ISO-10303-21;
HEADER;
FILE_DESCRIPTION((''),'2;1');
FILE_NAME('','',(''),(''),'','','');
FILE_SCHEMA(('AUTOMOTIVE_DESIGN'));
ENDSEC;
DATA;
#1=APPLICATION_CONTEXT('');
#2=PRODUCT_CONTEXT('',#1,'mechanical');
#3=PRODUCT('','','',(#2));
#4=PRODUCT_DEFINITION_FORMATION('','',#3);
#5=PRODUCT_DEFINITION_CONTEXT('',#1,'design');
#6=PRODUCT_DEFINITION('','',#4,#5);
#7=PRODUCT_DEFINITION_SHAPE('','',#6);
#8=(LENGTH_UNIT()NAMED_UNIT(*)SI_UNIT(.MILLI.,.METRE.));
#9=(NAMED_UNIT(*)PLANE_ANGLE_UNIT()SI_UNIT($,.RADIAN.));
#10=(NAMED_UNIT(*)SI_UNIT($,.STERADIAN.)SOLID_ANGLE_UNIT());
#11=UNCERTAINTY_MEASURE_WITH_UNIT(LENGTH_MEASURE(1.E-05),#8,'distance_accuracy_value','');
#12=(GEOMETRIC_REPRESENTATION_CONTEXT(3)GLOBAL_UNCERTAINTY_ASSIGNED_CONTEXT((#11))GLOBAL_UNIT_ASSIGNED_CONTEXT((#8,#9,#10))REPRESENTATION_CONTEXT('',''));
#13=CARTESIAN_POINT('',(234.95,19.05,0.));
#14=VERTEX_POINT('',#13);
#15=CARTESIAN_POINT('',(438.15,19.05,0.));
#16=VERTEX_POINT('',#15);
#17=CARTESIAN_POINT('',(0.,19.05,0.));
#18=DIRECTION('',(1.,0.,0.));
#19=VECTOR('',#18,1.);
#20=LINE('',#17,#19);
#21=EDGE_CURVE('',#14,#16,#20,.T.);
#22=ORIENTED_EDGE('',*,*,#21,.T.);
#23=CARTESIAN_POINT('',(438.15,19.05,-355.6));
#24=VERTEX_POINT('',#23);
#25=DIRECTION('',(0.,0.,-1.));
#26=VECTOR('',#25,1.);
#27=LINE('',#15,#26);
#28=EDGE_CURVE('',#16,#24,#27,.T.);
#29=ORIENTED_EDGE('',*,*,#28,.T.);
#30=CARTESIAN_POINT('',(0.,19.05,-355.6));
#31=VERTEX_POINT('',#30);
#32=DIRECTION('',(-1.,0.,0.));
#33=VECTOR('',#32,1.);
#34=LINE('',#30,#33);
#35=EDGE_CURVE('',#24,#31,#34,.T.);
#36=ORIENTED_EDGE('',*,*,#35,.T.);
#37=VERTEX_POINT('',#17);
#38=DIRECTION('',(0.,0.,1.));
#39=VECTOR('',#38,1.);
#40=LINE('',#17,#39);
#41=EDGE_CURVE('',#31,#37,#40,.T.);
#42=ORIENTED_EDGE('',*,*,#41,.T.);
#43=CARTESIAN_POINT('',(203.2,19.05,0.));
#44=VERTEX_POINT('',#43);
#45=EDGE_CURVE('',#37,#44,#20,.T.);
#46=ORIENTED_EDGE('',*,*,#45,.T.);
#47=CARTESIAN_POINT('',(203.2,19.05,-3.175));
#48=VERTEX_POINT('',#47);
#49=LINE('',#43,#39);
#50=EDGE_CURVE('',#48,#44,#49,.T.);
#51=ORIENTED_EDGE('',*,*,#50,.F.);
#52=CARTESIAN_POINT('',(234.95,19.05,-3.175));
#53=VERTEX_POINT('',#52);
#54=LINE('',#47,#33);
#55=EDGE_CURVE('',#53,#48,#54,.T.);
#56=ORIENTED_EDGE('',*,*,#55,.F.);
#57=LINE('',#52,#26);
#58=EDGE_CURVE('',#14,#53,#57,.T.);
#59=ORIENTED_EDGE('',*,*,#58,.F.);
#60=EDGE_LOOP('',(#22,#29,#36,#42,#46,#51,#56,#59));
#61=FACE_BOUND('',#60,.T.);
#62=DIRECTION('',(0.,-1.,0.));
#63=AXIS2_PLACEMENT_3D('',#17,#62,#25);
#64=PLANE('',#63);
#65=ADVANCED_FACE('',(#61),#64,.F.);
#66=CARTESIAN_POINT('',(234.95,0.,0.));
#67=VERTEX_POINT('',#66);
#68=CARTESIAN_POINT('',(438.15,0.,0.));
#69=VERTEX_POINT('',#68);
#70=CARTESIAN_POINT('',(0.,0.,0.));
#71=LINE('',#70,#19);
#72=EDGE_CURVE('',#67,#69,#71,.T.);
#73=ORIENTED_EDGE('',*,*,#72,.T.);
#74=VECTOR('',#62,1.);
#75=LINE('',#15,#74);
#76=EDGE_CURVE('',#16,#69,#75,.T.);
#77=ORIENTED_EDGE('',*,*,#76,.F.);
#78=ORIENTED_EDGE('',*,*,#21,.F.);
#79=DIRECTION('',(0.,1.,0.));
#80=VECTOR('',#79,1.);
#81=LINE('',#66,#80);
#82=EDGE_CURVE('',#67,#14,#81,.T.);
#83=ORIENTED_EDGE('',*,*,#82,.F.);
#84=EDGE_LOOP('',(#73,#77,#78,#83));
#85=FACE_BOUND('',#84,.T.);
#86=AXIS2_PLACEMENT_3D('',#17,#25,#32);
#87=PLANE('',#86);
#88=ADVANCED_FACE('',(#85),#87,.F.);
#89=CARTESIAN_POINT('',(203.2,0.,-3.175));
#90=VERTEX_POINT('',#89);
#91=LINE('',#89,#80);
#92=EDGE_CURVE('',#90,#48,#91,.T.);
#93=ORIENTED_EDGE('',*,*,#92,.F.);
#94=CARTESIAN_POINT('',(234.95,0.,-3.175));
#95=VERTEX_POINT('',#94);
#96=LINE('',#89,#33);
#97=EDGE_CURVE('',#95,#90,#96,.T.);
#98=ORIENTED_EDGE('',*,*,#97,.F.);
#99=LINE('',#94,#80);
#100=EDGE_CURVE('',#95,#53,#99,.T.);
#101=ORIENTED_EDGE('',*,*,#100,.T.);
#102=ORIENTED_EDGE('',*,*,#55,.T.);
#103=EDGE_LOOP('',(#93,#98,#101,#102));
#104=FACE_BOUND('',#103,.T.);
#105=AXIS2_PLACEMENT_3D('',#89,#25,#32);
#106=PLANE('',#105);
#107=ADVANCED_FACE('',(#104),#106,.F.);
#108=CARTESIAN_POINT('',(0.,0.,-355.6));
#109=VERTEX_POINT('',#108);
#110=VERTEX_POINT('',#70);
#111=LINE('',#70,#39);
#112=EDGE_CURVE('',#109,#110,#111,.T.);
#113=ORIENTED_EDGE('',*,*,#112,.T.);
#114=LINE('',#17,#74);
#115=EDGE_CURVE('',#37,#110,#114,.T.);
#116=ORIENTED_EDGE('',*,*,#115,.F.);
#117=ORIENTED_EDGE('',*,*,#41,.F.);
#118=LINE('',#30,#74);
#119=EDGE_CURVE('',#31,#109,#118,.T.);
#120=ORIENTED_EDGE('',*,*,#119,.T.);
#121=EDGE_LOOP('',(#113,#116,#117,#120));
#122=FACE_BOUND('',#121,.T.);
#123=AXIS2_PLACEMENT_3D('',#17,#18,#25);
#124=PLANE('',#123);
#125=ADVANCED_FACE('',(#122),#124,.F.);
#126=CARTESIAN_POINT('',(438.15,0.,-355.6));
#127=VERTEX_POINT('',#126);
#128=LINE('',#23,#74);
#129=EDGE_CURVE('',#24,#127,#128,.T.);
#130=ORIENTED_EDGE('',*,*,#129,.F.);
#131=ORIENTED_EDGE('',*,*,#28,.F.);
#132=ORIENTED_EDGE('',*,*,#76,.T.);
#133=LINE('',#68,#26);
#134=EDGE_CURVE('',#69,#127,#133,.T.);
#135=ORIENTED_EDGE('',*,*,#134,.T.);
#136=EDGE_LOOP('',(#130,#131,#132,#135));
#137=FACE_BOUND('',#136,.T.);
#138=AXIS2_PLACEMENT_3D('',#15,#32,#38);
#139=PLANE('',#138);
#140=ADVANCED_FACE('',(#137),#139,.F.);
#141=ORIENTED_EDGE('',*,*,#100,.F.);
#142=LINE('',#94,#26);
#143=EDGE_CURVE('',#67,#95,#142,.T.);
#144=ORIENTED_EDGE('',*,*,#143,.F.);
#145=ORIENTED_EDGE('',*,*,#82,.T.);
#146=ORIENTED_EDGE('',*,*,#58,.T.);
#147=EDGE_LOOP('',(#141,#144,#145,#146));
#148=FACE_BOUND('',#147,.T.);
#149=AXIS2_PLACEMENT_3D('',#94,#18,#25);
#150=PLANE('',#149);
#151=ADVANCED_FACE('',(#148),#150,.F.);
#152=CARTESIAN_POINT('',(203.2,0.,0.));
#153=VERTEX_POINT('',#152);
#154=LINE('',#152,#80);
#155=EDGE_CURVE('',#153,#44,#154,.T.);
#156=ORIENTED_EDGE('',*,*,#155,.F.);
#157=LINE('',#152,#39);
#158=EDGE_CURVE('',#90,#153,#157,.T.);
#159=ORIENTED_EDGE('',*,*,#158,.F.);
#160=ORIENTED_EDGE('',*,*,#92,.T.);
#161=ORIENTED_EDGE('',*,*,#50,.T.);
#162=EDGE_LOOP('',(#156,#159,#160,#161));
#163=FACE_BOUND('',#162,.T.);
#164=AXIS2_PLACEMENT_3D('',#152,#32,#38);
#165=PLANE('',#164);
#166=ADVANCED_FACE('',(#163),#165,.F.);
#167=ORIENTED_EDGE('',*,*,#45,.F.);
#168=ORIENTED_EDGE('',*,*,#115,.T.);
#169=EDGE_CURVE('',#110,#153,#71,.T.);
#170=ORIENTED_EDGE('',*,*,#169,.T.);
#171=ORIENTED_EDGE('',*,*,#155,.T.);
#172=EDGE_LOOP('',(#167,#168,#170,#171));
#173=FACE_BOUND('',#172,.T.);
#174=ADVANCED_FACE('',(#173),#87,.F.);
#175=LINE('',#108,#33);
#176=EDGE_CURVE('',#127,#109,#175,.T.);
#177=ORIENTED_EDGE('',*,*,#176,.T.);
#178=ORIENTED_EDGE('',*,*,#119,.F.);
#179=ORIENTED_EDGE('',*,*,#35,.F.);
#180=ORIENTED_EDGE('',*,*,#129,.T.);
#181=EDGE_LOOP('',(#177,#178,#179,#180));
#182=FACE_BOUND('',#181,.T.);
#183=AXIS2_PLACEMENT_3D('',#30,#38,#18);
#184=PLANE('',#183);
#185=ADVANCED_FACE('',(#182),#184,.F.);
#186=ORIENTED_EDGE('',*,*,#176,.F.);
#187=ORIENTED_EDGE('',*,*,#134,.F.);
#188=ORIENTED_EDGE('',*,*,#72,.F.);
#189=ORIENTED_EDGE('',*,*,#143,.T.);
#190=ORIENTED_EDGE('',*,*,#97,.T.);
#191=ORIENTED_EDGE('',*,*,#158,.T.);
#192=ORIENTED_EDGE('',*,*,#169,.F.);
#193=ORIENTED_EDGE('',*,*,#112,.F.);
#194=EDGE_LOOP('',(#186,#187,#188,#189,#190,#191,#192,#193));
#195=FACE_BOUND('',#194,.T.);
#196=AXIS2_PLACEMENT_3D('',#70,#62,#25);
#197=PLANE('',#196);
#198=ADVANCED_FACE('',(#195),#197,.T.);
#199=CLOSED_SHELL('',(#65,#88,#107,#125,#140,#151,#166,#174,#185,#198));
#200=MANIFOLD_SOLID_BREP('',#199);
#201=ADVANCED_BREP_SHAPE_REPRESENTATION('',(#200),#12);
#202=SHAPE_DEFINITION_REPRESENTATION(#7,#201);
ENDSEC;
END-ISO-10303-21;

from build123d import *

# Parameters (mm, degrees)
SKETCH1_W           = 438.15
SKETCH1_H           = 355.6
BOSS_EXTRUDE1_DEPTH = 19.05
SKETCH2_W           = 31.75
SKETCH2_H           = 3.175
CUT_EXTRUDE1_DEPTH  = 565.614634065


with BuildPart() as part:
    # Sketch1 → Boss-Extrude1 (new body)
    with BuildSketch(Plane(origin=(0, 0, 0), x_dir=(1, 0, 0), z_dir=(0, 1, 0))):
        with Locations((219.075, 177.8)):
            Rectangle(SKETCH1_W, SKETCH1_H)
    extrude(amount=BOSS_EXTRUDE1_DEPTH)

    # Sketch2 → Cut-Extrude1 (cut, through all)
    with BuildSketch(Plane(origin=(0, 19.05, 0), x_dir=(1, 0, 0), z_dir=(0, 1, 0))):
        with Locations((219.075, 1.5875)):
            Rectangle(SKETCH2_W, SKETCH2_H)
    extrude(amount=-CUT_EXTRUDE1_DEPTH, mode=Mode.SUBTRACT)


solid = part.part
